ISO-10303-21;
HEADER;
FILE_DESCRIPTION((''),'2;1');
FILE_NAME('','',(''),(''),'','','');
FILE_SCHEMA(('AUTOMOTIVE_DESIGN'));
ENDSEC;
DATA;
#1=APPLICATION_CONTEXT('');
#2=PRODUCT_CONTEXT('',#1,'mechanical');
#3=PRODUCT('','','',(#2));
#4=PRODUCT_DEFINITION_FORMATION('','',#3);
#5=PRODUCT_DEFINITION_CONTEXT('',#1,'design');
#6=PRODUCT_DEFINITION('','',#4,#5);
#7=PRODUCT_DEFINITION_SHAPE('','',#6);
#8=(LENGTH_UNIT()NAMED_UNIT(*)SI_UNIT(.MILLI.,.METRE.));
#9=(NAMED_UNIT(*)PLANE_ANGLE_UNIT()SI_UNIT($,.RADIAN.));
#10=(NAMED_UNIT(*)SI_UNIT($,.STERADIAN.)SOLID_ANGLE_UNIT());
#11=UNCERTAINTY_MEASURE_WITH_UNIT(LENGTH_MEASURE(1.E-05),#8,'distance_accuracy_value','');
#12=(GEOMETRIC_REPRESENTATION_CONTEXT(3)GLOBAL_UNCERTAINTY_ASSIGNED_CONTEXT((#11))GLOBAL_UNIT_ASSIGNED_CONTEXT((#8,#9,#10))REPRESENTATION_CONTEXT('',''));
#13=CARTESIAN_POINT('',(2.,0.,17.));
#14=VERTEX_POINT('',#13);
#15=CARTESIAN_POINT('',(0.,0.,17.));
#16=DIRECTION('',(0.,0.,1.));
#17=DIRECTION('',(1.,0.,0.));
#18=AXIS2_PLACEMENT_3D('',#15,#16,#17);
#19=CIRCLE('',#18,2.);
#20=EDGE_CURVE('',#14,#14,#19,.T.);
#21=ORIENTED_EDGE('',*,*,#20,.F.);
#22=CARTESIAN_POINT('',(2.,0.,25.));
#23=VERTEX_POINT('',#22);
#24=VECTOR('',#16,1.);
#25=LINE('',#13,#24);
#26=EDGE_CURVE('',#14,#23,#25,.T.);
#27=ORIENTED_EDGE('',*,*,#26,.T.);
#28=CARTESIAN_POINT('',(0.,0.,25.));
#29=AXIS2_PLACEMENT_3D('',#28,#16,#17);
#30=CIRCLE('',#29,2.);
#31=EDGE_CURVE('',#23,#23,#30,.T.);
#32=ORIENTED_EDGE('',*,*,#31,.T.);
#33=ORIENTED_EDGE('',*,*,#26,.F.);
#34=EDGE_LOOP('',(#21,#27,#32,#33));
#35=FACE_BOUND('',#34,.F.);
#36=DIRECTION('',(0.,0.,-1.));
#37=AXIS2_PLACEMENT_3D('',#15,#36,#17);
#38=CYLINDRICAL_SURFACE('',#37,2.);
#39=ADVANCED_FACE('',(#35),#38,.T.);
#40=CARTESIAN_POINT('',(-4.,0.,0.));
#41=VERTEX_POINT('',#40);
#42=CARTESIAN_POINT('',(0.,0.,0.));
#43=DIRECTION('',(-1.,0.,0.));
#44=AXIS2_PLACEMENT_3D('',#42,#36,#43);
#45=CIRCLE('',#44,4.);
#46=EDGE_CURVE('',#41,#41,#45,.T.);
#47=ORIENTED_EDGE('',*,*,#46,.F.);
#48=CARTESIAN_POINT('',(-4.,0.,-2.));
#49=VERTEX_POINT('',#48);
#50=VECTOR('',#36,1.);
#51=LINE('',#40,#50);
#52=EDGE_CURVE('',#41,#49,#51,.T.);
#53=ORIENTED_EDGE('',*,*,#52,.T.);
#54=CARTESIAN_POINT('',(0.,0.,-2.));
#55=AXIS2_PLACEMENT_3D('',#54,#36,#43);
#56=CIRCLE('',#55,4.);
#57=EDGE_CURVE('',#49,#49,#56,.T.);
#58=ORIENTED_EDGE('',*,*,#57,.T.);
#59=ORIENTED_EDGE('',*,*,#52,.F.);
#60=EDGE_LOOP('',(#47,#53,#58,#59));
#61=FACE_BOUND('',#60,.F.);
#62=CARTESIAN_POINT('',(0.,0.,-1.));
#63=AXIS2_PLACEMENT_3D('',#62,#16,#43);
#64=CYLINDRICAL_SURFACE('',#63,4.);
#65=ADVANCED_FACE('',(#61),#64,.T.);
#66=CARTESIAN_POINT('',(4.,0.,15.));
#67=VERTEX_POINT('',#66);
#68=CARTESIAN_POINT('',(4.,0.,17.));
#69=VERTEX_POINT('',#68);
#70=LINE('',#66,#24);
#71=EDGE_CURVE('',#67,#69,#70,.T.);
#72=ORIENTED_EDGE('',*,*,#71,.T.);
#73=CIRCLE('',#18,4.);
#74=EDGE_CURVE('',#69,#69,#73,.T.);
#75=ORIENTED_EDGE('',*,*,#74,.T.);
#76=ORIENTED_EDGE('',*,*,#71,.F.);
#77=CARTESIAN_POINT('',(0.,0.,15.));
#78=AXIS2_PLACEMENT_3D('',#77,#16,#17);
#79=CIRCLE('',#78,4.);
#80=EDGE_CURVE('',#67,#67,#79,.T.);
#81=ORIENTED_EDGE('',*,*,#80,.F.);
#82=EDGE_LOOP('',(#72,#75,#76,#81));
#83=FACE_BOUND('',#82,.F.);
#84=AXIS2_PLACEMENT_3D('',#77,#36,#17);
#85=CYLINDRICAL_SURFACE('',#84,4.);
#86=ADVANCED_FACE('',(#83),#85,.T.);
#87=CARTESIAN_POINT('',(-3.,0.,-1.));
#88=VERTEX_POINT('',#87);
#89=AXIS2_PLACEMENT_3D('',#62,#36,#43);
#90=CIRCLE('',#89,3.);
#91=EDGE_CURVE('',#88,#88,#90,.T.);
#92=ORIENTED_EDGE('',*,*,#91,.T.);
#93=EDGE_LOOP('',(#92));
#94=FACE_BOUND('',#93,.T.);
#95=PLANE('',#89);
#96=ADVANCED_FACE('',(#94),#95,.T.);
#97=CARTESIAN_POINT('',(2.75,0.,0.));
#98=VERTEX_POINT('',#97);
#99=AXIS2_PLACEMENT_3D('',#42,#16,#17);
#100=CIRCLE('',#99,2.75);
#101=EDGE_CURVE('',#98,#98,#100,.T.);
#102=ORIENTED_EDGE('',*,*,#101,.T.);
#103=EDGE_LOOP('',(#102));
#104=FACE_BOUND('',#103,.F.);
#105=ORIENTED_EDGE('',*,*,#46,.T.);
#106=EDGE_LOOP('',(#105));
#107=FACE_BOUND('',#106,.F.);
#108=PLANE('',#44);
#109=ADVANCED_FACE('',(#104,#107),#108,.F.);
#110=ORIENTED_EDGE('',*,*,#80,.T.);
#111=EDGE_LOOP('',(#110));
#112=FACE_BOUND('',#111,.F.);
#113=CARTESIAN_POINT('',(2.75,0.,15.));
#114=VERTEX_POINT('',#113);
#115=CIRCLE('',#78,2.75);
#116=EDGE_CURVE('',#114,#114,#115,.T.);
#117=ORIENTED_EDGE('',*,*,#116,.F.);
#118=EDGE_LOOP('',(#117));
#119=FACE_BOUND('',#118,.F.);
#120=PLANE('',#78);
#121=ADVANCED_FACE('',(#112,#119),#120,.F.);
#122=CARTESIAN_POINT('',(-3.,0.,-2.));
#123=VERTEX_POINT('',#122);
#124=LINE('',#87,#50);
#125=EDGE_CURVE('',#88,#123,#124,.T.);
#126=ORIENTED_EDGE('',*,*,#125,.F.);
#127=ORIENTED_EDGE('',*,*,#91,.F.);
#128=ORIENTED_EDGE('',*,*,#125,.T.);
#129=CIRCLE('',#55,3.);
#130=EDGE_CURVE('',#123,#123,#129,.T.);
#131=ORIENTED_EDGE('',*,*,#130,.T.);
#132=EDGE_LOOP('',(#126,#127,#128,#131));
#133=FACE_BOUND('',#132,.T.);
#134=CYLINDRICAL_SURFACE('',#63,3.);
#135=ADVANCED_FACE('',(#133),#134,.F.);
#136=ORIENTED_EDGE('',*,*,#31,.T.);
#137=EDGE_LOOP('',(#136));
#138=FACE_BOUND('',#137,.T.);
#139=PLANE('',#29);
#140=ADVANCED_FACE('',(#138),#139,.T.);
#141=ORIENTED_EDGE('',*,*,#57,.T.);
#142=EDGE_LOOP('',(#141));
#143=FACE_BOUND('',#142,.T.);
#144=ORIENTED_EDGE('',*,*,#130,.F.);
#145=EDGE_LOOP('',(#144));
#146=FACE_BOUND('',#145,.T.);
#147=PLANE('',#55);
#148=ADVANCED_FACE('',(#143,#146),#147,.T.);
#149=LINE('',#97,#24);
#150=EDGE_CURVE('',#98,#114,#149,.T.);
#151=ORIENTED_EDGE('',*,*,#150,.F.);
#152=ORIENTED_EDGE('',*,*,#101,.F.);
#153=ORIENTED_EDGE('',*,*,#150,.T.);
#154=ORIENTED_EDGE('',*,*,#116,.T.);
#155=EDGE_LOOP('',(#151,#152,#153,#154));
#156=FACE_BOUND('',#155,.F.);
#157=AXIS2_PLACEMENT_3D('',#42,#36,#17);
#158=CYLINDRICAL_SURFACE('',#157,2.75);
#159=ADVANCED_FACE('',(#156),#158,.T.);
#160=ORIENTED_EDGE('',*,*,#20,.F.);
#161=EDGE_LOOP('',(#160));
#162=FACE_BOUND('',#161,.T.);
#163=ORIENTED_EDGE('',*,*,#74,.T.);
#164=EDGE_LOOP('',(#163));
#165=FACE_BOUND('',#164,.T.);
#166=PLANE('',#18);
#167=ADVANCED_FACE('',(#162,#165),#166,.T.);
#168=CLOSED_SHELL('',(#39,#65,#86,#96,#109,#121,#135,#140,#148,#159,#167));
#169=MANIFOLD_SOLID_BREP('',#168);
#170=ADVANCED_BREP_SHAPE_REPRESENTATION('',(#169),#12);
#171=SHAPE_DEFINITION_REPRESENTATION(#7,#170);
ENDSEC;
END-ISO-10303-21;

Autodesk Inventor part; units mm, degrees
ref_plane "YZ Plane" through (0, 0, 0) normal (1, 0, 0) x (0, 1, 0)
ref_plane "XZ Plane" through (0, 0, 0) normal (0, 1, 0) x (-1, 0, 0)
ref_plane "XY Plane" through (0, 0, 0) normal (0, 0, 1) x (1, 0, 0)
sketch "Эскиз1" plane through (0, 0, 0) normal (0, 0, 1) x (1, 0, 0)
  circle A0 centre (0, 0) radius 2.75 projected
extrude "Выдавливание1" add sketch "Эскиз1" along normal blind 15
sketch "Эскиз2" plane through (0, 0, 15) normal (0, 0, 1) x (1, 0, 0)
  circle A0 centre (0, 0) radius 2.75 projected
  circle A1 centre (0, 0) radius 4
  dimension "d2" = 8
extrude "Выдавливание2" add sketch "Эскиз2" along normal blind 2 contours A0 | A1
sketch "Эскиз3" plane through (0, 0, 17) normal (0, 0, 1) x (1, 0, 0)
  circle A0 centre (0, 0) radius 2.75 projected
  circle A1 centre (0, 0) radius 2
  dimension "d5" = 4
  dimension "d6" = 5.5
extrude "Выдавливание3" add sketch "Эскиз3" along normal blind 8 contours A1
sketch "Эскиз4" plane through (0, 0, 0) normal (0, 0, -1) x (-1, 0, 0)
  circle A0 centre (0, 0) radius 4
extrude "Выдавливание4" add sketch "Эскиз4" along normal blind 1
sketch "Эскиз5" plane through (0, 0, -1) normal (0, 0, -1) x (-1, 0, 0)
  circle A0 centre (0, 0) radius 4 projected
  circle A1 centre (0, 0) radius 3
  dimension "d11" = 6
extrude "Выдавливание5" add sketch "Эскиз5" along normal blind 1
properties part number "butt"
